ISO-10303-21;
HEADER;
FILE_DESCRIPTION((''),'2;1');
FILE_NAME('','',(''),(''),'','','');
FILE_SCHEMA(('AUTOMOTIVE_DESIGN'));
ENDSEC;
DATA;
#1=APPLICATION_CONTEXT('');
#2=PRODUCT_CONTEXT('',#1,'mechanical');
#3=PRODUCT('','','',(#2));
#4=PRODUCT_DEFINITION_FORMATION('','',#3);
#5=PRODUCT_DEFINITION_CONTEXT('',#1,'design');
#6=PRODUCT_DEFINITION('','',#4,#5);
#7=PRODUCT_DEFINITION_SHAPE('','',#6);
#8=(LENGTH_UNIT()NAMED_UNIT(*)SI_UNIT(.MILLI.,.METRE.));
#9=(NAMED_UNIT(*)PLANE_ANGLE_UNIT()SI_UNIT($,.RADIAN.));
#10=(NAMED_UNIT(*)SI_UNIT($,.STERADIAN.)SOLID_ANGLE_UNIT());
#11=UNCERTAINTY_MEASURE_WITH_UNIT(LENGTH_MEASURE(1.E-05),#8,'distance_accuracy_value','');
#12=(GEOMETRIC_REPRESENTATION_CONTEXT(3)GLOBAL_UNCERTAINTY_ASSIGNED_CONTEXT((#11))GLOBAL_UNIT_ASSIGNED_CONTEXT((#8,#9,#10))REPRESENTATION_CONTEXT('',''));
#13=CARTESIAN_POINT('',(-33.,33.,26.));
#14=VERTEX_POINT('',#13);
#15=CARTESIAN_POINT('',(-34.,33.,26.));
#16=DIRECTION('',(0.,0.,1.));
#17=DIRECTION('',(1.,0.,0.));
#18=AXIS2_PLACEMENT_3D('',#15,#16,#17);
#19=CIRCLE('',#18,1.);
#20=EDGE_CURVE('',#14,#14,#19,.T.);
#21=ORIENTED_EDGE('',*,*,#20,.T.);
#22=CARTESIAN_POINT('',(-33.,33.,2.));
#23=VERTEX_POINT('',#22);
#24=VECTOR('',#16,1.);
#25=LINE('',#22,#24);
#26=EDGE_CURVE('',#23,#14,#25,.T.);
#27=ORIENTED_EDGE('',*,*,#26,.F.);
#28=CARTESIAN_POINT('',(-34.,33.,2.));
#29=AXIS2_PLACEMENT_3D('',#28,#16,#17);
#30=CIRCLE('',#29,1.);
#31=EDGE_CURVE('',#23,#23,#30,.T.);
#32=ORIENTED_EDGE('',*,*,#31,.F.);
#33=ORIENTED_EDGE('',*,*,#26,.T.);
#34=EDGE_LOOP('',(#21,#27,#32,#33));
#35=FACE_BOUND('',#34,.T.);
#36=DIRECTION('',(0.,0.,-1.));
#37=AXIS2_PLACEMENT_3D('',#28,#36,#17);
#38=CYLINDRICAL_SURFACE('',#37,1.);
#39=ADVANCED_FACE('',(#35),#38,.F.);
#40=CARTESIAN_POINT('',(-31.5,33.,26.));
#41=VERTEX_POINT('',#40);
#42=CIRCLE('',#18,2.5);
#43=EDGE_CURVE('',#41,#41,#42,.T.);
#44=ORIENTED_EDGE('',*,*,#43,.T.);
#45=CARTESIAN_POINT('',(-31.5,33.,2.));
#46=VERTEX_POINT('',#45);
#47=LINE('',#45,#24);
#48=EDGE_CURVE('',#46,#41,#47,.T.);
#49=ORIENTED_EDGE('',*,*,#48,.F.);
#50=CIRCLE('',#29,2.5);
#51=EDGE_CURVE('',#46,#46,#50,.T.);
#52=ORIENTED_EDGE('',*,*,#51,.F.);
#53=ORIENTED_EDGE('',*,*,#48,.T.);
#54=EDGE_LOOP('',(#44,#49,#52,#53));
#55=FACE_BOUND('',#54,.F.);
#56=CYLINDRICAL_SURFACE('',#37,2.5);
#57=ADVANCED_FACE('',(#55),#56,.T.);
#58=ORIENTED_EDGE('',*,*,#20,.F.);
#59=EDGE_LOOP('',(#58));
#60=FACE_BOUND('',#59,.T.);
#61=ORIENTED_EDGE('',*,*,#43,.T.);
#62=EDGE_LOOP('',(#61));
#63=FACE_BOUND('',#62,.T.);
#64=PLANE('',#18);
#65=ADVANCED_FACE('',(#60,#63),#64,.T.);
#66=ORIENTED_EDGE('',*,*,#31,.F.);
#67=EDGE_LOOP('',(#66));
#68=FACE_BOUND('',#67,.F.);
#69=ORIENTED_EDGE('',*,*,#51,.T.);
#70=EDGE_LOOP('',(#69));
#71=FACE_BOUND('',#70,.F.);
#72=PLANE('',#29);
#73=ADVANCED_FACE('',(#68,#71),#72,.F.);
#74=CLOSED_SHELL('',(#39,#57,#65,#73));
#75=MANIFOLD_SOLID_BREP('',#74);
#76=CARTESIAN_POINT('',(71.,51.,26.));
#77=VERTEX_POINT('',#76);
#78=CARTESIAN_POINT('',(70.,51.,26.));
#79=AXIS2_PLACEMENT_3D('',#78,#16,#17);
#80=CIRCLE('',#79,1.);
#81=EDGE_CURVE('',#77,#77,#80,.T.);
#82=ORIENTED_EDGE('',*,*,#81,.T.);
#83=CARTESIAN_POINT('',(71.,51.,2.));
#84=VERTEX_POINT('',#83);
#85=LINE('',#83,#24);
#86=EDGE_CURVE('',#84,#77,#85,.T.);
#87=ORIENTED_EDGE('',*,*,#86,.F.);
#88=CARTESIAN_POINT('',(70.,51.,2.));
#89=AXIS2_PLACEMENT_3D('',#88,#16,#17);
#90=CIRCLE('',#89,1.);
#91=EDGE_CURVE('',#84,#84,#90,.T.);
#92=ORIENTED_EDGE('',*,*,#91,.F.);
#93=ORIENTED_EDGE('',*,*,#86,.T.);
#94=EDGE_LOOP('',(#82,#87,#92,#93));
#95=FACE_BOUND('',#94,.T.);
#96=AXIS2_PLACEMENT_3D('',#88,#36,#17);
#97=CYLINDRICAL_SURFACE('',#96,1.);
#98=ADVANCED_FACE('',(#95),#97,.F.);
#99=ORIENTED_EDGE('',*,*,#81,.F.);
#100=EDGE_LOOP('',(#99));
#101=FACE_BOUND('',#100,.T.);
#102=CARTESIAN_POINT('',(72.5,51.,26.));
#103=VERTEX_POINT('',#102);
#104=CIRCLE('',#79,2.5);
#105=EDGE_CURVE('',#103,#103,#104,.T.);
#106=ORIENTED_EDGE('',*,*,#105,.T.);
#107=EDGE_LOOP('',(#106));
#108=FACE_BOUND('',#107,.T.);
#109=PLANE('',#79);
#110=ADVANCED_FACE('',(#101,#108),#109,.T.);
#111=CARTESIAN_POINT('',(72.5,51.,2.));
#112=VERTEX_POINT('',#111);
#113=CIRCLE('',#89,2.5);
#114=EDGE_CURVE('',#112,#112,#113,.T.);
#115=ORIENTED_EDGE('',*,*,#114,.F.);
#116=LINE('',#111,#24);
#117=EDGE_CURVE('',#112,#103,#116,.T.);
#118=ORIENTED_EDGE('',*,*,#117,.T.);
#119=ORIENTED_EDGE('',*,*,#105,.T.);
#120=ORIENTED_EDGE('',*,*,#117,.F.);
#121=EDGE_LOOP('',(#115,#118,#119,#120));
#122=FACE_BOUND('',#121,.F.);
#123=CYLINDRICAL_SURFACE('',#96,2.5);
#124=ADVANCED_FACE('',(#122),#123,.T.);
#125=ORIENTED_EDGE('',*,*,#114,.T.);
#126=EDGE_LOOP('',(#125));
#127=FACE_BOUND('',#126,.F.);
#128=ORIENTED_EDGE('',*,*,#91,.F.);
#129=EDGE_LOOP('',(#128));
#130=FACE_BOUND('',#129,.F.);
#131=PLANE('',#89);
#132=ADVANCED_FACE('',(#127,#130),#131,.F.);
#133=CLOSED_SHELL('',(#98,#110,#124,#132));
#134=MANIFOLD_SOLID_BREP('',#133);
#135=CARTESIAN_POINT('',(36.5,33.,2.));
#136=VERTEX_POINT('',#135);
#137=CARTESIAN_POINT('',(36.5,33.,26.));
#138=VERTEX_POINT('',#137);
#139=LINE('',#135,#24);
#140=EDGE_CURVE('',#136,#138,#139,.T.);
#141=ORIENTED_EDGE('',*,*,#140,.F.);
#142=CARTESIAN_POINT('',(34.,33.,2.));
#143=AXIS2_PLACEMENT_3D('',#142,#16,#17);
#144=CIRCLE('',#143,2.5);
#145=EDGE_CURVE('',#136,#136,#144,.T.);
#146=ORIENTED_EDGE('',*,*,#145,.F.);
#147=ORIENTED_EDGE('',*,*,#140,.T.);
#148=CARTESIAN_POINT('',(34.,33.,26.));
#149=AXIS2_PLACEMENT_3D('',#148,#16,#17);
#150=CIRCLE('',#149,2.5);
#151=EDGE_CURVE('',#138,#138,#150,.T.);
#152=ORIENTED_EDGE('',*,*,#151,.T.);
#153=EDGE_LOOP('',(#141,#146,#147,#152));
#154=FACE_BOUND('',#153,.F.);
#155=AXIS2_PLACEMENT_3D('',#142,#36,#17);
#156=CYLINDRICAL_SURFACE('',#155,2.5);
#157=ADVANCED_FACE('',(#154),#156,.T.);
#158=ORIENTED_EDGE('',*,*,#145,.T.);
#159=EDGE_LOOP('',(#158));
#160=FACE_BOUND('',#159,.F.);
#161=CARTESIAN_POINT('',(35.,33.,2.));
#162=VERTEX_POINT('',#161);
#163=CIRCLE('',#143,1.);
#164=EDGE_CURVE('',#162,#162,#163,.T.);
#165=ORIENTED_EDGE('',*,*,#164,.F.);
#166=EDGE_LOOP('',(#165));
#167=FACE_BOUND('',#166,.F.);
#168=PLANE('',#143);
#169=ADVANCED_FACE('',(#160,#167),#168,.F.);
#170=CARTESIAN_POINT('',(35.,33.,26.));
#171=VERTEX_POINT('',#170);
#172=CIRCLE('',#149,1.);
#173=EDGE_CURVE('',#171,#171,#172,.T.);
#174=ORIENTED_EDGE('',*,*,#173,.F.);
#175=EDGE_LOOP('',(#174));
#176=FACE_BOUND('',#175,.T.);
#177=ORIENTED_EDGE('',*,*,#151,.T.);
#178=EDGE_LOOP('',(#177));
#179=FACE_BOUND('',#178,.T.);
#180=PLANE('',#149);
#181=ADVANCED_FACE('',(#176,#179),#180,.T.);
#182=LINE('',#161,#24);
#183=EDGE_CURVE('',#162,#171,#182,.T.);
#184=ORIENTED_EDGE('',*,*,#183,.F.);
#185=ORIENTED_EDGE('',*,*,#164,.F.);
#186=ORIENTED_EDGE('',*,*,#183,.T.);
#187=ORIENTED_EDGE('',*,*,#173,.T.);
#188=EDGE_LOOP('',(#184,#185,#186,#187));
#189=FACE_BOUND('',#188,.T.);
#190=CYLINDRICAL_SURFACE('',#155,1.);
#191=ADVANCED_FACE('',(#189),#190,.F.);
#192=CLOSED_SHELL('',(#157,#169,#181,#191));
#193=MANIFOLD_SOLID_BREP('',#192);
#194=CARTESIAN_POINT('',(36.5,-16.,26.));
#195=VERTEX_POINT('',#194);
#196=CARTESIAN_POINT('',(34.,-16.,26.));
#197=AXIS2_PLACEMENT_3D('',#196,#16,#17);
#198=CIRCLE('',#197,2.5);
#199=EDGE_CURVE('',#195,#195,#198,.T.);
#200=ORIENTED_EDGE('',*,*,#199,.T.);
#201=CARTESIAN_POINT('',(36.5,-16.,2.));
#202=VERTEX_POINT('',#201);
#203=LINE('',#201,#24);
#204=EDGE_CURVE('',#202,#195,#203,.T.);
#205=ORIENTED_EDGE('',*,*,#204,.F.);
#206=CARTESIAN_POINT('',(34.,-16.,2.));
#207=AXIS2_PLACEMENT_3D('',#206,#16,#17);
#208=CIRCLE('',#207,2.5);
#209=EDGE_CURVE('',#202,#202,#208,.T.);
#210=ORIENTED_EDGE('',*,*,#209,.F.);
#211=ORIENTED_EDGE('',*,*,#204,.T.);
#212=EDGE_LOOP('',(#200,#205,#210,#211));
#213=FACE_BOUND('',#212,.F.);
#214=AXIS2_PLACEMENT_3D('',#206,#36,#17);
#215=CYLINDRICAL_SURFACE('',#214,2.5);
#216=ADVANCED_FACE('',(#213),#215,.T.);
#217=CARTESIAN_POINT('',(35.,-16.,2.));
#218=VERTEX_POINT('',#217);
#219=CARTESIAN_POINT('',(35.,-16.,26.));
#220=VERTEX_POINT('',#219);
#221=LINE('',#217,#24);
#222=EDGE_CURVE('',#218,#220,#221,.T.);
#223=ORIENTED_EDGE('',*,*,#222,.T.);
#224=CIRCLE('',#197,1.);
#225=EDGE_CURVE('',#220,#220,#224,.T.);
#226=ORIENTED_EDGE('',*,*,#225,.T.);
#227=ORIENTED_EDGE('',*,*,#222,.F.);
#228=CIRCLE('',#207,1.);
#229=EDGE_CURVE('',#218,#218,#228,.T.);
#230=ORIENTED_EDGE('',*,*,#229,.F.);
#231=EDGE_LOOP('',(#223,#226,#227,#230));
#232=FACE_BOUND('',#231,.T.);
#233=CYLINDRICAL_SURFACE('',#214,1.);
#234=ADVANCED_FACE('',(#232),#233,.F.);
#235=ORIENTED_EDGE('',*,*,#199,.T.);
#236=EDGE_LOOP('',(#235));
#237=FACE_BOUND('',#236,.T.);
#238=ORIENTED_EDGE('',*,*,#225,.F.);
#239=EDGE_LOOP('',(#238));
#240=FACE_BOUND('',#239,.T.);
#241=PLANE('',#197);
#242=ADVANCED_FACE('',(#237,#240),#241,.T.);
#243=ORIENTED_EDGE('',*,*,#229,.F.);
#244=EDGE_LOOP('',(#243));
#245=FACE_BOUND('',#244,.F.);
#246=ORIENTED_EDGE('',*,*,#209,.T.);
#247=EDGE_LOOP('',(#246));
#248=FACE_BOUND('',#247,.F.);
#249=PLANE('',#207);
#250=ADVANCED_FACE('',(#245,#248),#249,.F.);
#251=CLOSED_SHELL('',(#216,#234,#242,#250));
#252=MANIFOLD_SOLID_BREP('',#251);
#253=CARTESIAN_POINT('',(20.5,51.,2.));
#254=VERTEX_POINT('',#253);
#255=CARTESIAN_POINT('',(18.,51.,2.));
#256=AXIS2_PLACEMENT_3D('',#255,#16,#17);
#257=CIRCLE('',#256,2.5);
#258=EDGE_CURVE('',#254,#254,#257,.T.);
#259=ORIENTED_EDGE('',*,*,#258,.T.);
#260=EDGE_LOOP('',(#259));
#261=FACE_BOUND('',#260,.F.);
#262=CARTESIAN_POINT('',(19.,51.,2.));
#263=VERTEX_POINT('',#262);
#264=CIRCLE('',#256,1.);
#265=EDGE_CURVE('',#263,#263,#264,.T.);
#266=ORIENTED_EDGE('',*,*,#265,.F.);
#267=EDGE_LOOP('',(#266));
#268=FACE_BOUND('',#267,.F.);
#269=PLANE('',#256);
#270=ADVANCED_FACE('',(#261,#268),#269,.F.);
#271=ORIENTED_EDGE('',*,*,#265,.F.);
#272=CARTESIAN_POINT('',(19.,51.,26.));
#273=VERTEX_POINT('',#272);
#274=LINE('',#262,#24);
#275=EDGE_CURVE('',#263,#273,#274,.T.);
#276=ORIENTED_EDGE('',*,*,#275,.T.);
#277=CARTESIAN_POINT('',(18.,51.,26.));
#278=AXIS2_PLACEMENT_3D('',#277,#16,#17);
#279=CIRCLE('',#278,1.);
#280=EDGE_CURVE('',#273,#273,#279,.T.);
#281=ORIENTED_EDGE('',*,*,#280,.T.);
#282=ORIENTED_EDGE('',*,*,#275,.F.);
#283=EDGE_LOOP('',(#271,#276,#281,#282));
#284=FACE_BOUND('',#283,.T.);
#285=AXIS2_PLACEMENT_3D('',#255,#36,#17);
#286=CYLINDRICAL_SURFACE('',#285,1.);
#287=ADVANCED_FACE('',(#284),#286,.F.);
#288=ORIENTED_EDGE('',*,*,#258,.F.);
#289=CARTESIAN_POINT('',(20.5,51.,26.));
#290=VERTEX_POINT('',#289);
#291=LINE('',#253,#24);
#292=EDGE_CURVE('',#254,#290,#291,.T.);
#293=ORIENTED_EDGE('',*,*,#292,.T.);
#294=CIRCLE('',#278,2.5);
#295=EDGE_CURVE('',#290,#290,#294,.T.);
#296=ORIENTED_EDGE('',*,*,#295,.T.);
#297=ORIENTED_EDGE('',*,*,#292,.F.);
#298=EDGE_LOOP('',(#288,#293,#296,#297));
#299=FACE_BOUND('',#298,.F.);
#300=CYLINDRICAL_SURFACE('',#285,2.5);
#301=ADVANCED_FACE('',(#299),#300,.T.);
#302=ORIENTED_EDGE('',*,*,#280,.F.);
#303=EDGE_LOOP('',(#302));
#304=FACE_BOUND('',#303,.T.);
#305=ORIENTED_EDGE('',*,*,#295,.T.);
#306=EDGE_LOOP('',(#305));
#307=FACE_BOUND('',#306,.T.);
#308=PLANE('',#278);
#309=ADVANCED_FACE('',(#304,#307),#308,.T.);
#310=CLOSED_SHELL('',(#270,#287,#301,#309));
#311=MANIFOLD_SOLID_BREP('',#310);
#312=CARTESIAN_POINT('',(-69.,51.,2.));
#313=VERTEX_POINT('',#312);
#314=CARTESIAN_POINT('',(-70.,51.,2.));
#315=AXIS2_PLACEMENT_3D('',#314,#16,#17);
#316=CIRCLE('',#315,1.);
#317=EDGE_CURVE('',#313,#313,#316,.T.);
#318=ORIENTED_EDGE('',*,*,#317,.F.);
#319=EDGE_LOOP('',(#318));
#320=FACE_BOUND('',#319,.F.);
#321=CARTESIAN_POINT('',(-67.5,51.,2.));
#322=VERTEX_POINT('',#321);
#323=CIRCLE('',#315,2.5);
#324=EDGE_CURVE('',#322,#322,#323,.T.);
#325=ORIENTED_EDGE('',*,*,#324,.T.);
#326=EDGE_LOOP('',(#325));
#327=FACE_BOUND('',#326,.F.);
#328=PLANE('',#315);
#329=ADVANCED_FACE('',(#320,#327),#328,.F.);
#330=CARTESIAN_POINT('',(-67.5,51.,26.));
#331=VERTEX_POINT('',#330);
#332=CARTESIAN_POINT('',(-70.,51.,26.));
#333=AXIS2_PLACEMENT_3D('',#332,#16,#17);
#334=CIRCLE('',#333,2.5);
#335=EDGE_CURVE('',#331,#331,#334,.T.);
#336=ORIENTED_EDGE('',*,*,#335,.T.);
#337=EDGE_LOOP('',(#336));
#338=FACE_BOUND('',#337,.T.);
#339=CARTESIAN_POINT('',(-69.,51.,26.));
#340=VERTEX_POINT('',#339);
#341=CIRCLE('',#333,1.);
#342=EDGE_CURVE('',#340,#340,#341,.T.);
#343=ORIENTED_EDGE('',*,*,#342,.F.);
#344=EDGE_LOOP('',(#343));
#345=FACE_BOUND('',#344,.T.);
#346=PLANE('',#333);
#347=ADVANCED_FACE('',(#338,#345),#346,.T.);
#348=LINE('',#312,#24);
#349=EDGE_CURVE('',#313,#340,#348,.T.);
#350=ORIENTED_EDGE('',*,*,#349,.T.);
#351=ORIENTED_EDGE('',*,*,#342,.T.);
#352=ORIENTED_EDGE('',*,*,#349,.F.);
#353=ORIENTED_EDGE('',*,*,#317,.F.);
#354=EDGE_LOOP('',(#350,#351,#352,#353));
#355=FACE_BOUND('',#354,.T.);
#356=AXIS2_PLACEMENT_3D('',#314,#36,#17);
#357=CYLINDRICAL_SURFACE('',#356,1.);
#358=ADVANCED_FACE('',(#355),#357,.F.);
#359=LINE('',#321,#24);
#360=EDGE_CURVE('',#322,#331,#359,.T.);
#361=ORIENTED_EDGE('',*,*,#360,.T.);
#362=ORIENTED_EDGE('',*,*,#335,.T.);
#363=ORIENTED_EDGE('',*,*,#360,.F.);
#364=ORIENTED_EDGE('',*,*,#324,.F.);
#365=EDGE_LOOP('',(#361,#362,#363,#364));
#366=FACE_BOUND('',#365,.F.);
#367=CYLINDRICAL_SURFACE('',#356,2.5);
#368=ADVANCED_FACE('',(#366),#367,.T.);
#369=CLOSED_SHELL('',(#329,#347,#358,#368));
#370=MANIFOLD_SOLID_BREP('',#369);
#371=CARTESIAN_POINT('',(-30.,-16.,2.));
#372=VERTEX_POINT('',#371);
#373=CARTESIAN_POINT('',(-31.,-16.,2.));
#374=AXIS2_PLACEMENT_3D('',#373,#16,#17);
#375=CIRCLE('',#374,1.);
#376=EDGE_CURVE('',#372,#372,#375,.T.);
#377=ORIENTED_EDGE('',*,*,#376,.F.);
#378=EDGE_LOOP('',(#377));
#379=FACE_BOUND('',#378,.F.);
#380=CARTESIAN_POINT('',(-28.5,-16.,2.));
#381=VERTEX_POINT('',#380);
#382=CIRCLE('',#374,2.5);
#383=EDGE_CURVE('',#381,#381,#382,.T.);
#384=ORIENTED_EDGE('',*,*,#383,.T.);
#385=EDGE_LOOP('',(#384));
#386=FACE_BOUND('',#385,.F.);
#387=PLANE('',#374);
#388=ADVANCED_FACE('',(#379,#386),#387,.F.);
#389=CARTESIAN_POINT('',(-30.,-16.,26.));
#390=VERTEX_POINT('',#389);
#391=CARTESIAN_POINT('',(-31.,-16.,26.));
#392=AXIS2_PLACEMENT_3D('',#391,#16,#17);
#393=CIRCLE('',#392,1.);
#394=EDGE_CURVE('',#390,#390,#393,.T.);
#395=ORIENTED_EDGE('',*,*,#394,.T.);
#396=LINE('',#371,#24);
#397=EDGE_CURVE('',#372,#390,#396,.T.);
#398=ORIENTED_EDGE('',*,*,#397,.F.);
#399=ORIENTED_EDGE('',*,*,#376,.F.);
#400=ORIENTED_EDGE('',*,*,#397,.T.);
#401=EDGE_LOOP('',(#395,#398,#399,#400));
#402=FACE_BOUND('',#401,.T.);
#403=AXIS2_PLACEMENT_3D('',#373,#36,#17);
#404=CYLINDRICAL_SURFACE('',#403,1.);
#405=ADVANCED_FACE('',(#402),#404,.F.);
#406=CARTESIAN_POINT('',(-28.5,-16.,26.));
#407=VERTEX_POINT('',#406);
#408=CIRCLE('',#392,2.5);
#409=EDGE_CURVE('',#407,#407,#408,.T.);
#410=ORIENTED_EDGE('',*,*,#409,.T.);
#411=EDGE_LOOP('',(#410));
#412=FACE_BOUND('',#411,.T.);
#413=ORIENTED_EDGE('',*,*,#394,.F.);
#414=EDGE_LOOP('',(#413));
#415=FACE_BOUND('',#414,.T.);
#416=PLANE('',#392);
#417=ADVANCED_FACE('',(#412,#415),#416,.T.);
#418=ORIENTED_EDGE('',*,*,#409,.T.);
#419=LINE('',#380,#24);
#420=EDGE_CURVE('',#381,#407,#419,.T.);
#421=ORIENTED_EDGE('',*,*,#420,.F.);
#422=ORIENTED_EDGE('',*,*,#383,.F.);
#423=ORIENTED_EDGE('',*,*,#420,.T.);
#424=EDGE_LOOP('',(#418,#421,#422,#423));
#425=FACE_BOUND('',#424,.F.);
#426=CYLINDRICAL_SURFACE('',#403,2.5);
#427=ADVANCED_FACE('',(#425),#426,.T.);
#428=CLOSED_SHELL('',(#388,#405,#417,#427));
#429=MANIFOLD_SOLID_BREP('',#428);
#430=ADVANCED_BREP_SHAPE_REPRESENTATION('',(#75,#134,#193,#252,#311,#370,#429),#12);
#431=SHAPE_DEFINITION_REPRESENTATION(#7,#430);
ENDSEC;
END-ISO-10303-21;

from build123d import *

# Parameters (mm, degrees)
TUBE_R        = 2.5
TUBE_R_2      = 1
TUBE_DEPTH    = 24
TUBE001_R     = 2.5
TUBE001_R_2   = 1
TUBE001_DEPTH = 24
TUBE002_R     = 2.5
TUBE002_R_2   = 1
TUBE002_DEPTH = 24
TUBE003_R     = 2.5
TUBE003_R_2   = 1
TUBE003_DEPTH = 24
TUBE004_R     = 2.5
TUBE004_R_2   = 1
TUBE004_DEPTH = 24
TUBE005_R     = 2.5
TUBE005_R_2   = 1
TUBE005_DEPTH = 24
TUBE006_R     = 2.5
TUBE006_R_2   = 1
TUBE006_DEPTH = 24


with BuildPart() as tube:
    # Tube → Tube (new body)
    with BuildSketch(Plane(origin=(34, -16, 2), x_dir=(1, 0, 0), z_dir=(0, 0, 1))):
        Circle(TUBE_R)
        Circle(TUBE_R_2, mode=Mode.SUBTRACT)
    extrude(amount=TUBE_DEPTH)


with BuildPart() as tube001:
    # Tube001 → Tube001 (new body)
    with BuildSketch(Plane(origin=(-31, -16, 2), x_dir=(1, 0, 0), z_dir=(0, 0, 1))):
        Circle(TUBE001_R)
        Circle(TUBE001_R_2, mode=Mode.SUBTRACT)
    extrude(amount=TUBE001_DEPTH)


with BuildPart() as tube002:
    # Tube002 → Tube002 (new body)
    with BuildSketch(Plane(origin=(34, 33, 2), x_dir=(1, 0, 0), z_dir=(0, 0, 1))):
        Circle(TUBE002_R)
        Circle(TUBE002_R_2, mode=Mode.SUBTRACT)
    extrude(amount=TUBE002_DEPTH)


with BuildPart() as tube003:
    # Tube003 → Tube003 (new body)
    with BuildSketch(Plane(origin=(-34, 33, 2), x_dir=(1, 0, 0), z_dir=(0, 0, 1))):
        Circle(TUBE003_R)
        Circle(TUBE003_R_2, mode=Mode.SUBTRACT)
    extrude(amount=TUBE003_DEPTH)


with BuildPart() as tube004:
    # Tube004 → Tube004 (new body)
    with BuildSketch(Plane(origin=(70, 51, 2), x_dir=(1, 0, 0), z_dir=(0, 0, 1))):
        Circle(TUBE004_R)
        Circle(TUBE004_R_2, mode=Mode.SUBTRACT)
    extrude(amount=TUBE004_DEPTH)


with BuildPart() as tube005:
    # Tube005 → Tube005 (new body)
    with BuildSketch(Plane(origin=(-70, 51, 2), x_dir=(1, 0, 0), z_dir=(0, 0, 1))):
        Circle(TUBE005_R)
        Circle(TUBE005_R_2, mode=Mode.SUBTRACT)
    extrude(amount=TUBE005_DEPTH)


with BuildPart() as tornillos:
    # Tube006 → Tube006 (new body)
    with BuildSketch(Plane(origin=(18, 51, 2), x_dir=(1, 0, 0), z_dir=(0, 0, 1))):
        Circle(TUBE006_R)
        Circle(TUBE006_R_2, mode=Mode.SUBTRACT)
    extrude(amount=TUBE006_DEPTH)

    # Fusion023: union Tube, Tube001, Tube002, Tube003, Tube004, Tube005
    add(tube.part)
    add(tube001.part)
    add(tube002.part)
    add(tube003.part)
    add(tube004.part)
    add(tube005.part)


solid = tornillos.part
